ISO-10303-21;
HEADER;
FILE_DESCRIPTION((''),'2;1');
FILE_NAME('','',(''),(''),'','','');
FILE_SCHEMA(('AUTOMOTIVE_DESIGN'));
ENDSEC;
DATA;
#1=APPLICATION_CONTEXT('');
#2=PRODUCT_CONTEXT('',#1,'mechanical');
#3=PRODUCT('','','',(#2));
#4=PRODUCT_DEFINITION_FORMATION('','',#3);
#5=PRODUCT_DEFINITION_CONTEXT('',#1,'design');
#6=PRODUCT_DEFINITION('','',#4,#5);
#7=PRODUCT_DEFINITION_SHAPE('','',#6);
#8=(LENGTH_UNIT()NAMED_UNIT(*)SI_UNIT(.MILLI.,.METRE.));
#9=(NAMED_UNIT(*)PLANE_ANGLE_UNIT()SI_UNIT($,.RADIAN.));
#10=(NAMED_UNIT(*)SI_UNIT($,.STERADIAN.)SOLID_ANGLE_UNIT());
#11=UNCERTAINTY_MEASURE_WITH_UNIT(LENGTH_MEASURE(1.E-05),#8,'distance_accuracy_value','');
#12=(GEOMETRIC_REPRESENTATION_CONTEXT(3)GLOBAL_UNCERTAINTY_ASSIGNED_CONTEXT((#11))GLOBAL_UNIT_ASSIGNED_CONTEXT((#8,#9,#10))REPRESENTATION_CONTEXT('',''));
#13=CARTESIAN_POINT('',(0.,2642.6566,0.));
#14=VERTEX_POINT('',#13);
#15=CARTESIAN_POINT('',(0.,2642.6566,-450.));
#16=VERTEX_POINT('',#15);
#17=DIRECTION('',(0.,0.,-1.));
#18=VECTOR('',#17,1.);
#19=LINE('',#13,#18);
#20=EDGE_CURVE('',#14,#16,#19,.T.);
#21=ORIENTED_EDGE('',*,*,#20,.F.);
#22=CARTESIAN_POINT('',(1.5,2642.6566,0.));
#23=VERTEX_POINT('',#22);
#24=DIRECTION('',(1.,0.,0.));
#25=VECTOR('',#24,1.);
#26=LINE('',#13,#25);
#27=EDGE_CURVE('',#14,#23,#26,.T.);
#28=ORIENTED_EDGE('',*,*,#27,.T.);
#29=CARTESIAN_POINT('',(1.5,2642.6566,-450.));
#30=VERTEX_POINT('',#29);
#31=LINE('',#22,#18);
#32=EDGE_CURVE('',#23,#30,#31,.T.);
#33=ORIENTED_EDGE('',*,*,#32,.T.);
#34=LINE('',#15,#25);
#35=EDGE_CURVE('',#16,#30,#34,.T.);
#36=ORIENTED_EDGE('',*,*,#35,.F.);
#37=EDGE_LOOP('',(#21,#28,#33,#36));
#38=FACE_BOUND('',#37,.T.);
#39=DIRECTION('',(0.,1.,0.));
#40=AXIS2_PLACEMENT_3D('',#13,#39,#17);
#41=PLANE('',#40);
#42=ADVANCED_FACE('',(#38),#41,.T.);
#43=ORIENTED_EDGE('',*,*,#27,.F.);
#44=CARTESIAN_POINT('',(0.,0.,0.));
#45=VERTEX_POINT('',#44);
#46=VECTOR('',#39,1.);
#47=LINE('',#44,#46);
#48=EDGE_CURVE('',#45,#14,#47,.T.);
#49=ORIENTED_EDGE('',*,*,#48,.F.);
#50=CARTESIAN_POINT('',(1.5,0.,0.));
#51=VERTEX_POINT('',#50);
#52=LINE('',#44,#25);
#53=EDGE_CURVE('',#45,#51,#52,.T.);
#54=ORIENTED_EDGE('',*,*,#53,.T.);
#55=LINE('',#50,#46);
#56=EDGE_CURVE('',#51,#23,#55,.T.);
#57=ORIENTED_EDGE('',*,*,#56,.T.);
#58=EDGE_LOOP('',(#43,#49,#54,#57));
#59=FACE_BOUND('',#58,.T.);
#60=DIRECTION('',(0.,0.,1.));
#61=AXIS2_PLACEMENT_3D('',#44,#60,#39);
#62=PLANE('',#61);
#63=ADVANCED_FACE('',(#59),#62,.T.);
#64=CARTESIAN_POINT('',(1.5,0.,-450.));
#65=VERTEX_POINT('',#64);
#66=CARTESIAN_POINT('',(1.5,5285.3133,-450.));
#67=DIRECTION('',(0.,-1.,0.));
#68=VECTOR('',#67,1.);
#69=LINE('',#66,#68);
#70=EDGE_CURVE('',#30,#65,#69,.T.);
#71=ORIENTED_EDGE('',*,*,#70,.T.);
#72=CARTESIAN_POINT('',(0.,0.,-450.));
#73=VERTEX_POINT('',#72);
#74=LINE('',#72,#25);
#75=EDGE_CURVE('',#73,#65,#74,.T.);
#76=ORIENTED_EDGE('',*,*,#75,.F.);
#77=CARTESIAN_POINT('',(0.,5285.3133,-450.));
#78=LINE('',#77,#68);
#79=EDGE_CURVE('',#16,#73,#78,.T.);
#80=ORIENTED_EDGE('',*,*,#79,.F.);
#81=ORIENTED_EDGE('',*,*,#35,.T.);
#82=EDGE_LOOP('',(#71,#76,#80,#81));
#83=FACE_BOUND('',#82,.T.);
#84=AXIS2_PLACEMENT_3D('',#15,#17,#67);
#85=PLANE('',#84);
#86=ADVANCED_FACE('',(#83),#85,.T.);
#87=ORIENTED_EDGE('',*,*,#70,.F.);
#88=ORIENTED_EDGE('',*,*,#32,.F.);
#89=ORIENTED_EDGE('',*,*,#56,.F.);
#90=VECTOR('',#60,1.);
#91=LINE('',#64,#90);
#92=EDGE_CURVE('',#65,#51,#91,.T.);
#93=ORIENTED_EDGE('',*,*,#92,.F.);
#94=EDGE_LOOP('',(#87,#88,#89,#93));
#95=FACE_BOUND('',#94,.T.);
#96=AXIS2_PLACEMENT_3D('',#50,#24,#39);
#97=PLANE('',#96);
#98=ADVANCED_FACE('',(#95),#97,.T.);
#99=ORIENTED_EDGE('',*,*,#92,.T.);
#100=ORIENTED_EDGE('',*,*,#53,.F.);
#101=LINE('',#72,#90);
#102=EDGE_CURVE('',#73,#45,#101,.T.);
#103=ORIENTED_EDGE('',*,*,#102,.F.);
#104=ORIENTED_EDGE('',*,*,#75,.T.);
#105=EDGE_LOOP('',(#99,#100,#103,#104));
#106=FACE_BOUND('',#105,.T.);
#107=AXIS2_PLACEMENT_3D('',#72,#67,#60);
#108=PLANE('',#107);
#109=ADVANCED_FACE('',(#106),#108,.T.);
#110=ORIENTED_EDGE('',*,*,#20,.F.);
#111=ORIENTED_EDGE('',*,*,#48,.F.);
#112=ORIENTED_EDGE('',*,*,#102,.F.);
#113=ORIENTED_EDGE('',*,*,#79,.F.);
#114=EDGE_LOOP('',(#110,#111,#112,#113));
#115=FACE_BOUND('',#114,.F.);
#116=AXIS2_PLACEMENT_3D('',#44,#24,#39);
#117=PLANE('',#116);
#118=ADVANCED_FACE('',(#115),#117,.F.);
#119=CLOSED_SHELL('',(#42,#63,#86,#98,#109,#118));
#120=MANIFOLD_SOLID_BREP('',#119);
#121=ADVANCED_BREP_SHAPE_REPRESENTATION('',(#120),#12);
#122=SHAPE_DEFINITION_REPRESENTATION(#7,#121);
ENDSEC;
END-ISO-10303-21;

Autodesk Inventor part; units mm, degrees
ref_plane "YZ Plane" through (0, 0, 0) normal (1, 0, 0) x (0, 1, 0)
ref_plane "XZ Plane" through (0, 0, 0) normal (0, 1, 0) x (-1, 0, 0)
ref_plane "XY Plane" through (0, 0, 0) normal (0, 0, 1) x (1, 0, 0)
sketch "Sketch1" plane through (0, 0, 0) normal (1, 0, 0) x (0, 1, 0)
  line L0 (0, 0) -> (5285.3133, 0)
  line L1 (0, -450) -> (0, 0)
  line L2 (5285.3133, -450) -> (0, -450)
  line L3 (5285.3133, 0) -> (5285.3133, -450)
  line L4 (2642.6566, 0) -> (2642.6566, -450)
extrude "Extrusion1" add sketch "Sketch1" along normal blind 1.5 contours L0 L4 L2 L1
properties part number "CARCASA_ALUM_1_FLAT" material "Steel, Mild, Welded"
